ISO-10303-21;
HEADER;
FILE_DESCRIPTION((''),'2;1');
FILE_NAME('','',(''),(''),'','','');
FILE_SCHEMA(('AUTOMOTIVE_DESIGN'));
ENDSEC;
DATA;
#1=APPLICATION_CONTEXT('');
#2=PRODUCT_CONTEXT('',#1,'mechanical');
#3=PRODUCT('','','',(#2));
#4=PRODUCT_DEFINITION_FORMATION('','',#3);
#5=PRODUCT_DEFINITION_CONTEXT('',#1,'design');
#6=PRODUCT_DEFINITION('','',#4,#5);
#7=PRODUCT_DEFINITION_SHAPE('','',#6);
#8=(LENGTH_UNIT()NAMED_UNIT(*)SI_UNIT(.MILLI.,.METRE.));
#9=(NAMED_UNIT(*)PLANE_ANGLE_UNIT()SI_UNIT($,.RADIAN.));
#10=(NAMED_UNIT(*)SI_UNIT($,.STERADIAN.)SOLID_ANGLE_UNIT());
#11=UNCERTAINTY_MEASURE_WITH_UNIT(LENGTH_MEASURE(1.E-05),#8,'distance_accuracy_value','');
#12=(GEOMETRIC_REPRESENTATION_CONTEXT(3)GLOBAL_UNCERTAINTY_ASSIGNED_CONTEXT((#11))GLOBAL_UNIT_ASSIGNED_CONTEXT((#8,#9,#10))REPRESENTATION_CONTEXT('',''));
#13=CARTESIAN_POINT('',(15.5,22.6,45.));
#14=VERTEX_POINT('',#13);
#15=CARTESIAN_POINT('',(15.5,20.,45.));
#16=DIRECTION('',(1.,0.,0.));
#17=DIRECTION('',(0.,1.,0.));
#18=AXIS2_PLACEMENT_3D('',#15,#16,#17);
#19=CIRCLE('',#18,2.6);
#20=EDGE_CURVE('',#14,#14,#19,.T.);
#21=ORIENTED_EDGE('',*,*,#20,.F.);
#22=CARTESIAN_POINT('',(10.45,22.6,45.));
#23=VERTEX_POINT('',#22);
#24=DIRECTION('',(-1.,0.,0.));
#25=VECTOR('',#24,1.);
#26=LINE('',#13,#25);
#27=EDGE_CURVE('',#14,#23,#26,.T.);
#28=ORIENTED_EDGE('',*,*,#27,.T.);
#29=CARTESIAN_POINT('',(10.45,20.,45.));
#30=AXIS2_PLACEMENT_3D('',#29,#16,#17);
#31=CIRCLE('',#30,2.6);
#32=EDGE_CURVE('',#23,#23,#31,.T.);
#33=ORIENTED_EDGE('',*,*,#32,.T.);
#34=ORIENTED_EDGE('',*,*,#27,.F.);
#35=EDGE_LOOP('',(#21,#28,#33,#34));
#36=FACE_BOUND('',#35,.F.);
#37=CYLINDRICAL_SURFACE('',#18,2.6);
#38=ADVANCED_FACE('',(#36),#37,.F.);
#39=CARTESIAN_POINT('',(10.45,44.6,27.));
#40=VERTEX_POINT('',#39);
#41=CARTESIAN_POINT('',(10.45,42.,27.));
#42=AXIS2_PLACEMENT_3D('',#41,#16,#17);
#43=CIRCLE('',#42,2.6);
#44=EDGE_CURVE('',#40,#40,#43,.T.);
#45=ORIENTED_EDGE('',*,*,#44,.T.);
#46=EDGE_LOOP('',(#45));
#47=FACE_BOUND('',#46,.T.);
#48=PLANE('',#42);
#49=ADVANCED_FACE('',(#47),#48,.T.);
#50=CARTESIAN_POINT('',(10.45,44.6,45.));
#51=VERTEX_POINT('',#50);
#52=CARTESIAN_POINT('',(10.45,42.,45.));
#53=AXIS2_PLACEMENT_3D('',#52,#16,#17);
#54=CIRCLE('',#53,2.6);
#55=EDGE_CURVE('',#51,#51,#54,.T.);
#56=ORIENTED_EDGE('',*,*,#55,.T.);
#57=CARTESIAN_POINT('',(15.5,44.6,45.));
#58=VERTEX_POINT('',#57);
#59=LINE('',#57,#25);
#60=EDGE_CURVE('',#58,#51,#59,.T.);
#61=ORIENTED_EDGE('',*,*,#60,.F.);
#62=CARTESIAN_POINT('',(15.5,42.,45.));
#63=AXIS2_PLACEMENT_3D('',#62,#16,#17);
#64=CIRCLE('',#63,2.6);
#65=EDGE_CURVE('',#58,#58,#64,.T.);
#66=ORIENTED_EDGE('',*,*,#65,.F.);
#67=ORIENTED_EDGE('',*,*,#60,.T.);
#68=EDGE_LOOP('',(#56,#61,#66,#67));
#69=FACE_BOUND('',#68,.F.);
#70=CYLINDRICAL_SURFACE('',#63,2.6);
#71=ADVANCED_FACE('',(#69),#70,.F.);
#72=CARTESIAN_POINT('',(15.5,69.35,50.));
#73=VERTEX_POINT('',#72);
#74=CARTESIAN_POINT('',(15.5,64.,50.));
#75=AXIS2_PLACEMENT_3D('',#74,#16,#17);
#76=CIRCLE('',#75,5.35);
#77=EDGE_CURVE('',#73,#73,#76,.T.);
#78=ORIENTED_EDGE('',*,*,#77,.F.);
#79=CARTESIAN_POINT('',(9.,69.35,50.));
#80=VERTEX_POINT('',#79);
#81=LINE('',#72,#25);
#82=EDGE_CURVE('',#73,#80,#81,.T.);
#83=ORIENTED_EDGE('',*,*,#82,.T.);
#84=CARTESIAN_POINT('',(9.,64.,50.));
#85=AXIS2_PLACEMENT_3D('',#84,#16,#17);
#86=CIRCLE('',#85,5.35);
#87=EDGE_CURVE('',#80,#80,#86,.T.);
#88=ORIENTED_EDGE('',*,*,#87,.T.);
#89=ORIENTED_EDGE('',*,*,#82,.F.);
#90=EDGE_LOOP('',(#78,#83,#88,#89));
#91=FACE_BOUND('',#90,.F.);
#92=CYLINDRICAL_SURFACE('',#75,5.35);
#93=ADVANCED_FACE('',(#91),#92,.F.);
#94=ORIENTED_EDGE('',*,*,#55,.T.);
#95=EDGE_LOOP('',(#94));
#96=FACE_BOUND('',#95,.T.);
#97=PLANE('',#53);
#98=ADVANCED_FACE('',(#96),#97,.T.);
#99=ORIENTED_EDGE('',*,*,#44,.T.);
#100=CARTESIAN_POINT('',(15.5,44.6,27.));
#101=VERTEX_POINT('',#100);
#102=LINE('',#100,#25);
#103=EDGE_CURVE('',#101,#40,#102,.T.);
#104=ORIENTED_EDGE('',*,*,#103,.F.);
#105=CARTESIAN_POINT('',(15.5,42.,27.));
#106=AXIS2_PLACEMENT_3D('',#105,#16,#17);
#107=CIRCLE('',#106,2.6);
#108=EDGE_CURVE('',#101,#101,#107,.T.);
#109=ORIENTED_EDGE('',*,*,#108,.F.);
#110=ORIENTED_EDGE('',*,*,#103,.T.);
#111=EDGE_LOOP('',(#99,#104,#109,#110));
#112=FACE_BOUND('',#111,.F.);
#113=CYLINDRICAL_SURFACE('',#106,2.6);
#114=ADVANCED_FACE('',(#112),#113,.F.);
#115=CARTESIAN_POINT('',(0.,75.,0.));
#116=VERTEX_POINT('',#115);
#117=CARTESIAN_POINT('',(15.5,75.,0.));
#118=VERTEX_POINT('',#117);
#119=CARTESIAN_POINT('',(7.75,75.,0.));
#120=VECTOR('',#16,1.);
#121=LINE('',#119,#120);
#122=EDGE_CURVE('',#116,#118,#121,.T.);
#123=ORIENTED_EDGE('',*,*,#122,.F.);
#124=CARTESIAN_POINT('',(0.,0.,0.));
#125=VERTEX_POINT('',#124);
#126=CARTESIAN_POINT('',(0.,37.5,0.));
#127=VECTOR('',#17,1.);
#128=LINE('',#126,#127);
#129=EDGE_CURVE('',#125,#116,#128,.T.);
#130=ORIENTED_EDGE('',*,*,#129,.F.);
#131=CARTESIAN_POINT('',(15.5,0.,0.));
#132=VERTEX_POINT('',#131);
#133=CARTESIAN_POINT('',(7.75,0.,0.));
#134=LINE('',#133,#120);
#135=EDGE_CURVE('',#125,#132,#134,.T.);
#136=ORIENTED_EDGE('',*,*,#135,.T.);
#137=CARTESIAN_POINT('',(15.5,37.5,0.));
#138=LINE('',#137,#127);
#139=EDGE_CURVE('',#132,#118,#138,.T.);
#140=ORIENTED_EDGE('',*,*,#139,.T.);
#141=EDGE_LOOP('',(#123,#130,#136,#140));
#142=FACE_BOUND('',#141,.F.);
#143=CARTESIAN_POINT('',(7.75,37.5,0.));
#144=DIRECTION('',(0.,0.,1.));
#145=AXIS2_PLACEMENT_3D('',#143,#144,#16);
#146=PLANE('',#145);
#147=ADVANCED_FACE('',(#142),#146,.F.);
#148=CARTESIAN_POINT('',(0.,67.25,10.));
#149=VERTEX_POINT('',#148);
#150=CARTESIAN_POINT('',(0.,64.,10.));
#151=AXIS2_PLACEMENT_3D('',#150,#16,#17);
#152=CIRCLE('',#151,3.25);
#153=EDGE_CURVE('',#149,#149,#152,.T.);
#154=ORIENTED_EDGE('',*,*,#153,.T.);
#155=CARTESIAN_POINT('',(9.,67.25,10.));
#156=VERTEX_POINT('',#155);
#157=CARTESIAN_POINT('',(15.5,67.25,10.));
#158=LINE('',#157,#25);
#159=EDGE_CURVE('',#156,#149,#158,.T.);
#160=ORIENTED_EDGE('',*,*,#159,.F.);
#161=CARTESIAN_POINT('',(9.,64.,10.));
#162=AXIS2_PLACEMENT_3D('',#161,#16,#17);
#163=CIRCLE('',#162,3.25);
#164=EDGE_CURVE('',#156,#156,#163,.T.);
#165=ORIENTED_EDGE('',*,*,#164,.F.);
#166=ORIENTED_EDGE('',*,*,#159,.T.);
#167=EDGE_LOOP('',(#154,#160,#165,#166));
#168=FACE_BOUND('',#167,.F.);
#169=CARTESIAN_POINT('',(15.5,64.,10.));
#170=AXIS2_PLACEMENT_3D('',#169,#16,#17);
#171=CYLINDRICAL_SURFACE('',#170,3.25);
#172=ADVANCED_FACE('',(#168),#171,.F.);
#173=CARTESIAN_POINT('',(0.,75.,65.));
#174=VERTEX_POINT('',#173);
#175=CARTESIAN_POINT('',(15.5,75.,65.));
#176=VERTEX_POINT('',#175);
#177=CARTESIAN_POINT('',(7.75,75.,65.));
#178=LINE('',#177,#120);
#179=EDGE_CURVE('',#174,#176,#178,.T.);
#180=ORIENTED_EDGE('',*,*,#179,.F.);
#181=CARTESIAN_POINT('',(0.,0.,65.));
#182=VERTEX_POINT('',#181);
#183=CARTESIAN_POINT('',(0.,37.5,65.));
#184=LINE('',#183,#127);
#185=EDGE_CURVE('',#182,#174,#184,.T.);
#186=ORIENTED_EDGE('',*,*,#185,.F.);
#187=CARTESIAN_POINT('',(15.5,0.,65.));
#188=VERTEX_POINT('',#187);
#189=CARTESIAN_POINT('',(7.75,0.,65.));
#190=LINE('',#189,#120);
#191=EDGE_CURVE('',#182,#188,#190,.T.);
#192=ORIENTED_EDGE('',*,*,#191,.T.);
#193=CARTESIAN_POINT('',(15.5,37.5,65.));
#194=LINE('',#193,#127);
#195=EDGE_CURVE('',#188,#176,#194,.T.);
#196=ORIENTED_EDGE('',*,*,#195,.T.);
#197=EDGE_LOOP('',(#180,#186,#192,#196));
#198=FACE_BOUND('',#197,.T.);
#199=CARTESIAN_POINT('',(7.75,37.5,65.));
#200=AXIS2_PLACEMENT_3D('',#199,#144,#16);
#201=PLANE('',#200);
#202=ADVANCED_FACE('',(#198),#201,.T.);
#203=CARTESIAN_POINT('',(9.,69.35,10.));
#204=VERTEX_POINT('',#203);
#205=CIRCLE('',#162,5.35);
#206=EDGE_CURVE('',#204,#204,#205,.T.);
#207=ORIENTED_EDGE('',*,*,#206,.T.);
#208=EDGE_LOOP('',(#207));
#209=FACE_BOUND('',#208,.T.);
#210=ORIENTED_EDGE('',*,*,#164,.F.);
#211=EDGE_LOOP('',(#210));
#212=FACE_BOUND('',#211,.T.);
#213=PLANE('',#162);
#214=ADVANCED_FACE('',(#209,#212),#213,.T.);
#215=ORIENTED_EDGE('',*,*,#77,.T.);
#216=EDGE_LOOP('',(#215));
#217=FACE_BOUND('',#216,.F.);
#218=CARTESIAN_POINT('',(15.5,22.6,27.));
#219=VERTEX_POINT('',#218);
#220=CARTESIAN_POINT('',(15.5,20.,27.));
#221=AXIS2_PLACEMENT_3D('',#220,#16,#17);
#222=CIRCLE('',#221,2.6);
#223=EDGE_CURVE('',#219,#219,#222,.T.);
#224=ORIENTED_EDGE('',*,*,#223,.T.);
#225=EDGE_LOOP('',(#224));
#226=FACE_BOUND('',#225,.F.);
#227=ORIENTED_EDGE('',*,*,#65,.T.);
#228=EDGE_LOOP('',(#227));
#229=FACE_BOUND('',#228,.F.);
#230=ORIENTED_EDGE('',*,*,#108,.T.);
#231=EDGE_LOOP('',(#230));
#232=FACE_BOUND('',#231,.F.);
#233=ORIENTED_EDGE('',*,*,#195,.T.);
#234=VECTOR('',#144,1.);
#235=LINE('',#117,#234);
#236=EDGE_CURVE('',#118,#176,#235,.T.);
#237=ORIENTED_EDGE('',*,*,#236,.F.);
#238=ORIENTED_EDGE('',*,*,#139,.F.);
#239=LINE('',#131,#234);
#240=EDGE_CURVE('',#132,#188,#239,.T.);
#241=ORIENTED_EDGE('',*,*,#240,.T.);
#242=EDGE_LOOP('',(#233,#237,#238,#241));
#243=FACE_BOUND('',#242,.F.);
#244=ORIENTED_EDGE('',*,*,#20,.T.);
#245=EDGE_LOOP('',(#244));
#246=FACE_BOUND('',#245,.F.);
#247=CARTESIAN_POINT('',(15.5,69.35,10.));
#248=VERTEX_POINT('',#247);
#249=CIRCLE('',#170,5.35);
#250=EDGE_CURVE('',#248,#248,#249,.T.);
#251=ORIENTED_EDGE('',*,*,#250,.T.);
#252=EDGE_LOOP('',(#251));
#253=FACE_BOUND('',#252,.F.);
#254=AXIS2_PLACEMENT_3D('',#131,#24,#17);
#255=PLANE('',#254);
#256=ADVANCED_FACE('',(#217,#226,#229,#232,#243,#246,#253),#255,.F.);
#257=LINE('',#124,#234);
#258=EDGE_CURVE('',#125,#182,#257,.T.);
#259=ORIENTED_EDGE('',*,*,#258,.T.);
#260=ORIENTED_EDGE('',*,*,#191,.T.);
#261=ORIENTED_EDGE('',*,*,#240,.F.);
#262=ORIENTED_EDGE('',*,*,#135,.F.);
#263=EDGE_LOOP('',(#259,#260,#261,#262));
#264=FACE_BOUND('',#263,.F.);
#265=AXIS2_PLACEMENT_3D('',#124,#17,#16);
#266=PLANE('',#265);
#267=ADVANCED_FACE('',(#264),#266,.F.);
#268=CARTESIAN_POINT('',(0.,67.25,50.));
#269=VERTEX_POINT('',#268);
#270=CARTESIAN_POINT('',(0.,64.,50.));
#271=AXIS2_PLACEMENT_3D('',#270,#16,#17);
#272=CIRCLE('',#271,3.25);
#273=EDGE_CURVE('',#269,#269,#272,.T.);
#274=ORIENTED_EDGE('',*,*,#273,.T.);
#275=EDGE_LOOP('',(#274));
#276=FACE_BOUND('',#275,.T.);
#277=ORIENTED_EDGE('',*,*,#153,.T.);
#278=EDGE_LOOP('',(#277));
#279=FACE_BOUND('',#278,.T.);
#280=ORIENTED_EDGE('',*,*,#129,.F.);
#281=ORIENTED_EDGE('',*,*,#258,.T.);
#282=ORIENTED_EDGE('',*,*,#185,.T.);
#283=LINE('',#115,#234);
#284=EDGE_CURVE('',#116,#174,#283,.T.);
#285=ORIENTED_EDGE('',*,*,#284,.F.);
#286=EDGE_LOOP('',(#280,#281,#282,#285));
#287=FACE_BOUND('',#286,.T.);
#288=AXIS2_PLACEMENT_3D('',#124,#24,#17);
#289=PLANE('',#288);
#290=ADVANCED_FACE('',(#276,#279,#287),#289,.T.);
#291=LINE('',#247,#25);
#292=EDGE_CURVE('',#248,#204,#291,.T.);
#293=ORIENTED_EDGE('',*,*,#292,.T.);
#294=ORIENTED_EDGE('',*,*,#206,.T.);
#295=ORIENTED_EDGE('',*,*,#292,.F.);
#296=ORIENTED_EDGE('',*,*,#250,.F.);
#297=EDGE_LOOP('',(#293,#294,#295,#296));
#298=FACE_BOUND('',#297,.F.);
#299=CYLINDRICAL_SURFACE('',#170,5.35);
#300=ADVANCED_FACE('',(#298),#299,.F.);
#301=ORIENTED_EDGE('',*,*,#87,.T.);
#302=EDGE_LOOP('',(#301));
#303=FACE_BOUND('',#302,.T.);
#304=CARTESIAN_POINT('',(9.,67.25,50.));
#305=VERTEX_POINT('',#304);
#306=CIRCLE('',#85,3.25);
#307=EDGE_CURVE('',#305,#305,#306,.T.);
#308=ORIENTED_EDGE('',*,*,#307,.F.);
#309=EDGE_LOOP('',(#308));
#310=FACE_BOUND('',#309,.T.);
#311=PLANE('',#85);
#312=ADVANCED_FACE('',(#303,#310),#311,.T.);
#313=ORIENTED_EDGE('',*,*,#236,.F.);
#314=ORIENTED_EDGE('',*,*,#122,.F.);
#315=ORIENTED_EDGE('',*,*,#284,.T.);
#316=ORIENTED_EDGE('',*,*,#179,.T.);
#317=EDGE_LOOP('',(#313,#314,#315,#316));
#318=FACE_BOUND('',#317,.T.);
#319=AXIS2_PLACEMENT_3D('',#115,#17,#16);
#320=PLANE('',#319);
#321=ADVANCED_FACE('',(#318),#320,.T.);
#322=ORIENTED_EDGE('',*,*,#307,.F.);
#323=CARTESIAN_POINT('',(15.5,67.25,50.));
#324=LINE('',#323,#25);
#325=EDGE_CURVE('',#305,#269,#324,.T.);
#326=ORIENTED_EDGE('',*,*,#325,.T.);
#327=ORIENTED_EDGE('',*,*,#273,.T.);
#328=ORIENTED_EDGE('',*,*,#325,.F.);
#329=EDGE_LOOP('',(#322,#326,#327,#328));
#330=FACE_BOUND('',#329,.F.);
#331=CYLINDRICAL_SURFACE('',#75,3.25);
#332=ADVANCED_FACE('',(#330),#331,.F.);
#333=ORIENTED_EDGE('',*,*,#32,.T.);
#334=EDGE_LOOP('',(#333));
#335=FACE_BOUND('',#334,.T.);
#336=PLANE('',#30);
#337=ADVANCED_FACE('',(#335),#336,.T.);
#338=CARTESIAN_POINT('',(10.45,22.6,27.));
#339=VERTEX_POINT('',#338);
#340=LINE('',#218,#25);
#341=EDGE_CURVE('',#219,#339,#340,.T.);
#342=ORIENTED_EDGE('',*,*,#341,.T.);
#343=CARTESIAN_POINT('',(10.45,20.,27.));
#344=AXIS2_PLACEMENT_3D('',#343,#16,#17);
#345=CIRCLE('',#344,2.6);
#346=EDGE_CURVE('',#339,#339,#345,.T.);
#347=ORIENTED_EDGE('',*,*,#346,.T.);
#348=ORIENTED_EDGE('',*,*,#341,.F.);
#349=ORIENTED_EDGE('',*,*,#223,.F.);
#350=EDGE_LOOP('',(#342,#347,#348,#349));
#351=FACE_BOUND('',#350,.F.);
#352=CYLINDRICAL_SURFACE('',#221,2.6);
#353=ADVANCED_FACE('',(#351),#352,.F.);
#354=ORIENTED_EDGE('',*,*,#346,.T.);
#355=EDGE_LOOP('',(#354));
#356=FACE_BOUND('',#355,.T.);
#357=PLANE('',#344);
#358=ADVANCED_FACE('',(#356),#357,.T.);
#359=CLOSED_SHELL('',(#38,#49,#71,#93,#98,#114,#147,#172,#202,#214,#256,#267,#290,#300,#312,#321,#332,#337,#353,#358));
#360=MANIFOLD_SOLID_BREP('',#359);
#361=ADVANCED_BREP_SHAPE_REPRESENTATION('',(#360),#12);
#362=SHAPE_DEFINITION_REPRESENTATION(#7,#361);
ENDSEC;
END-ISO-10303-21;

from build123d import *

# Parameters (mm, degrees)
SKETCH_W        = 15.5
SKETCH_H        = 75
PAD_DEPTH       = 65
SKETCH001_R     = 3.25
POCKET_DEPTH    = 17
SKETCH002_R     = 2.6
POCKET001_DEPTH = 5.05
SKETCH003_R     = 5.35
POCKET002_DEPTH = 6.5


with BuildPart() as part:
    # Sketch → Pad (new body)
    with BuildSketch(Plane.XY):
        with Locations((7.75, 37.5)):
            Rectangle(SKETCH_W, SKETCH_H)
    extrude(amount=PAD_DEPTH)

    # Sketch001 (on Face2 of Pad) → Pocket (cut)
    with BuildSketch(Plane.YZ.offset(15.5)):
        with Locations((64, 50)):
            Circle(SKETCH001_R)
        with Locations((64, 10)):
            Circle(SKETCH001_R)
    extrude(amount=-POCKET_DEPTH, mode=Mode.SUBTRACT)

    # Sketch002 (on Face3 of Pocket) → Pocket001 (cut)
    with BuildSketch(Plane.YZ.offset(15.5)):
        with Locations((20, 45)):
            Circle(SKETCH002_R)
        with Locations((42, 45)):
            Circle(SKETCH002_R)
        with Locations((20, 27)):
            Circle(SKETCH002_R)
        with Locations((42, 27)):
            Circle(SKETCH002_R)
    extrude(amount=-POCKET001_DEPTH, mode=Mode.SUBTRACT)

    # Sketch003 (on Face3 of Pocket001) → Pocket002 (cut)
    with BuildSketch(Plane.YZ.offset(15.5)):
        with Locations((64, 50)):
            Circle(SKETCH003_R)
        with Locations((64, 10)):
            Circle(SKETCH003_R)
    extrude(amount=-POCKET002_DEPTH, mode=Mode.SUBTRACT)


solid = part.part
